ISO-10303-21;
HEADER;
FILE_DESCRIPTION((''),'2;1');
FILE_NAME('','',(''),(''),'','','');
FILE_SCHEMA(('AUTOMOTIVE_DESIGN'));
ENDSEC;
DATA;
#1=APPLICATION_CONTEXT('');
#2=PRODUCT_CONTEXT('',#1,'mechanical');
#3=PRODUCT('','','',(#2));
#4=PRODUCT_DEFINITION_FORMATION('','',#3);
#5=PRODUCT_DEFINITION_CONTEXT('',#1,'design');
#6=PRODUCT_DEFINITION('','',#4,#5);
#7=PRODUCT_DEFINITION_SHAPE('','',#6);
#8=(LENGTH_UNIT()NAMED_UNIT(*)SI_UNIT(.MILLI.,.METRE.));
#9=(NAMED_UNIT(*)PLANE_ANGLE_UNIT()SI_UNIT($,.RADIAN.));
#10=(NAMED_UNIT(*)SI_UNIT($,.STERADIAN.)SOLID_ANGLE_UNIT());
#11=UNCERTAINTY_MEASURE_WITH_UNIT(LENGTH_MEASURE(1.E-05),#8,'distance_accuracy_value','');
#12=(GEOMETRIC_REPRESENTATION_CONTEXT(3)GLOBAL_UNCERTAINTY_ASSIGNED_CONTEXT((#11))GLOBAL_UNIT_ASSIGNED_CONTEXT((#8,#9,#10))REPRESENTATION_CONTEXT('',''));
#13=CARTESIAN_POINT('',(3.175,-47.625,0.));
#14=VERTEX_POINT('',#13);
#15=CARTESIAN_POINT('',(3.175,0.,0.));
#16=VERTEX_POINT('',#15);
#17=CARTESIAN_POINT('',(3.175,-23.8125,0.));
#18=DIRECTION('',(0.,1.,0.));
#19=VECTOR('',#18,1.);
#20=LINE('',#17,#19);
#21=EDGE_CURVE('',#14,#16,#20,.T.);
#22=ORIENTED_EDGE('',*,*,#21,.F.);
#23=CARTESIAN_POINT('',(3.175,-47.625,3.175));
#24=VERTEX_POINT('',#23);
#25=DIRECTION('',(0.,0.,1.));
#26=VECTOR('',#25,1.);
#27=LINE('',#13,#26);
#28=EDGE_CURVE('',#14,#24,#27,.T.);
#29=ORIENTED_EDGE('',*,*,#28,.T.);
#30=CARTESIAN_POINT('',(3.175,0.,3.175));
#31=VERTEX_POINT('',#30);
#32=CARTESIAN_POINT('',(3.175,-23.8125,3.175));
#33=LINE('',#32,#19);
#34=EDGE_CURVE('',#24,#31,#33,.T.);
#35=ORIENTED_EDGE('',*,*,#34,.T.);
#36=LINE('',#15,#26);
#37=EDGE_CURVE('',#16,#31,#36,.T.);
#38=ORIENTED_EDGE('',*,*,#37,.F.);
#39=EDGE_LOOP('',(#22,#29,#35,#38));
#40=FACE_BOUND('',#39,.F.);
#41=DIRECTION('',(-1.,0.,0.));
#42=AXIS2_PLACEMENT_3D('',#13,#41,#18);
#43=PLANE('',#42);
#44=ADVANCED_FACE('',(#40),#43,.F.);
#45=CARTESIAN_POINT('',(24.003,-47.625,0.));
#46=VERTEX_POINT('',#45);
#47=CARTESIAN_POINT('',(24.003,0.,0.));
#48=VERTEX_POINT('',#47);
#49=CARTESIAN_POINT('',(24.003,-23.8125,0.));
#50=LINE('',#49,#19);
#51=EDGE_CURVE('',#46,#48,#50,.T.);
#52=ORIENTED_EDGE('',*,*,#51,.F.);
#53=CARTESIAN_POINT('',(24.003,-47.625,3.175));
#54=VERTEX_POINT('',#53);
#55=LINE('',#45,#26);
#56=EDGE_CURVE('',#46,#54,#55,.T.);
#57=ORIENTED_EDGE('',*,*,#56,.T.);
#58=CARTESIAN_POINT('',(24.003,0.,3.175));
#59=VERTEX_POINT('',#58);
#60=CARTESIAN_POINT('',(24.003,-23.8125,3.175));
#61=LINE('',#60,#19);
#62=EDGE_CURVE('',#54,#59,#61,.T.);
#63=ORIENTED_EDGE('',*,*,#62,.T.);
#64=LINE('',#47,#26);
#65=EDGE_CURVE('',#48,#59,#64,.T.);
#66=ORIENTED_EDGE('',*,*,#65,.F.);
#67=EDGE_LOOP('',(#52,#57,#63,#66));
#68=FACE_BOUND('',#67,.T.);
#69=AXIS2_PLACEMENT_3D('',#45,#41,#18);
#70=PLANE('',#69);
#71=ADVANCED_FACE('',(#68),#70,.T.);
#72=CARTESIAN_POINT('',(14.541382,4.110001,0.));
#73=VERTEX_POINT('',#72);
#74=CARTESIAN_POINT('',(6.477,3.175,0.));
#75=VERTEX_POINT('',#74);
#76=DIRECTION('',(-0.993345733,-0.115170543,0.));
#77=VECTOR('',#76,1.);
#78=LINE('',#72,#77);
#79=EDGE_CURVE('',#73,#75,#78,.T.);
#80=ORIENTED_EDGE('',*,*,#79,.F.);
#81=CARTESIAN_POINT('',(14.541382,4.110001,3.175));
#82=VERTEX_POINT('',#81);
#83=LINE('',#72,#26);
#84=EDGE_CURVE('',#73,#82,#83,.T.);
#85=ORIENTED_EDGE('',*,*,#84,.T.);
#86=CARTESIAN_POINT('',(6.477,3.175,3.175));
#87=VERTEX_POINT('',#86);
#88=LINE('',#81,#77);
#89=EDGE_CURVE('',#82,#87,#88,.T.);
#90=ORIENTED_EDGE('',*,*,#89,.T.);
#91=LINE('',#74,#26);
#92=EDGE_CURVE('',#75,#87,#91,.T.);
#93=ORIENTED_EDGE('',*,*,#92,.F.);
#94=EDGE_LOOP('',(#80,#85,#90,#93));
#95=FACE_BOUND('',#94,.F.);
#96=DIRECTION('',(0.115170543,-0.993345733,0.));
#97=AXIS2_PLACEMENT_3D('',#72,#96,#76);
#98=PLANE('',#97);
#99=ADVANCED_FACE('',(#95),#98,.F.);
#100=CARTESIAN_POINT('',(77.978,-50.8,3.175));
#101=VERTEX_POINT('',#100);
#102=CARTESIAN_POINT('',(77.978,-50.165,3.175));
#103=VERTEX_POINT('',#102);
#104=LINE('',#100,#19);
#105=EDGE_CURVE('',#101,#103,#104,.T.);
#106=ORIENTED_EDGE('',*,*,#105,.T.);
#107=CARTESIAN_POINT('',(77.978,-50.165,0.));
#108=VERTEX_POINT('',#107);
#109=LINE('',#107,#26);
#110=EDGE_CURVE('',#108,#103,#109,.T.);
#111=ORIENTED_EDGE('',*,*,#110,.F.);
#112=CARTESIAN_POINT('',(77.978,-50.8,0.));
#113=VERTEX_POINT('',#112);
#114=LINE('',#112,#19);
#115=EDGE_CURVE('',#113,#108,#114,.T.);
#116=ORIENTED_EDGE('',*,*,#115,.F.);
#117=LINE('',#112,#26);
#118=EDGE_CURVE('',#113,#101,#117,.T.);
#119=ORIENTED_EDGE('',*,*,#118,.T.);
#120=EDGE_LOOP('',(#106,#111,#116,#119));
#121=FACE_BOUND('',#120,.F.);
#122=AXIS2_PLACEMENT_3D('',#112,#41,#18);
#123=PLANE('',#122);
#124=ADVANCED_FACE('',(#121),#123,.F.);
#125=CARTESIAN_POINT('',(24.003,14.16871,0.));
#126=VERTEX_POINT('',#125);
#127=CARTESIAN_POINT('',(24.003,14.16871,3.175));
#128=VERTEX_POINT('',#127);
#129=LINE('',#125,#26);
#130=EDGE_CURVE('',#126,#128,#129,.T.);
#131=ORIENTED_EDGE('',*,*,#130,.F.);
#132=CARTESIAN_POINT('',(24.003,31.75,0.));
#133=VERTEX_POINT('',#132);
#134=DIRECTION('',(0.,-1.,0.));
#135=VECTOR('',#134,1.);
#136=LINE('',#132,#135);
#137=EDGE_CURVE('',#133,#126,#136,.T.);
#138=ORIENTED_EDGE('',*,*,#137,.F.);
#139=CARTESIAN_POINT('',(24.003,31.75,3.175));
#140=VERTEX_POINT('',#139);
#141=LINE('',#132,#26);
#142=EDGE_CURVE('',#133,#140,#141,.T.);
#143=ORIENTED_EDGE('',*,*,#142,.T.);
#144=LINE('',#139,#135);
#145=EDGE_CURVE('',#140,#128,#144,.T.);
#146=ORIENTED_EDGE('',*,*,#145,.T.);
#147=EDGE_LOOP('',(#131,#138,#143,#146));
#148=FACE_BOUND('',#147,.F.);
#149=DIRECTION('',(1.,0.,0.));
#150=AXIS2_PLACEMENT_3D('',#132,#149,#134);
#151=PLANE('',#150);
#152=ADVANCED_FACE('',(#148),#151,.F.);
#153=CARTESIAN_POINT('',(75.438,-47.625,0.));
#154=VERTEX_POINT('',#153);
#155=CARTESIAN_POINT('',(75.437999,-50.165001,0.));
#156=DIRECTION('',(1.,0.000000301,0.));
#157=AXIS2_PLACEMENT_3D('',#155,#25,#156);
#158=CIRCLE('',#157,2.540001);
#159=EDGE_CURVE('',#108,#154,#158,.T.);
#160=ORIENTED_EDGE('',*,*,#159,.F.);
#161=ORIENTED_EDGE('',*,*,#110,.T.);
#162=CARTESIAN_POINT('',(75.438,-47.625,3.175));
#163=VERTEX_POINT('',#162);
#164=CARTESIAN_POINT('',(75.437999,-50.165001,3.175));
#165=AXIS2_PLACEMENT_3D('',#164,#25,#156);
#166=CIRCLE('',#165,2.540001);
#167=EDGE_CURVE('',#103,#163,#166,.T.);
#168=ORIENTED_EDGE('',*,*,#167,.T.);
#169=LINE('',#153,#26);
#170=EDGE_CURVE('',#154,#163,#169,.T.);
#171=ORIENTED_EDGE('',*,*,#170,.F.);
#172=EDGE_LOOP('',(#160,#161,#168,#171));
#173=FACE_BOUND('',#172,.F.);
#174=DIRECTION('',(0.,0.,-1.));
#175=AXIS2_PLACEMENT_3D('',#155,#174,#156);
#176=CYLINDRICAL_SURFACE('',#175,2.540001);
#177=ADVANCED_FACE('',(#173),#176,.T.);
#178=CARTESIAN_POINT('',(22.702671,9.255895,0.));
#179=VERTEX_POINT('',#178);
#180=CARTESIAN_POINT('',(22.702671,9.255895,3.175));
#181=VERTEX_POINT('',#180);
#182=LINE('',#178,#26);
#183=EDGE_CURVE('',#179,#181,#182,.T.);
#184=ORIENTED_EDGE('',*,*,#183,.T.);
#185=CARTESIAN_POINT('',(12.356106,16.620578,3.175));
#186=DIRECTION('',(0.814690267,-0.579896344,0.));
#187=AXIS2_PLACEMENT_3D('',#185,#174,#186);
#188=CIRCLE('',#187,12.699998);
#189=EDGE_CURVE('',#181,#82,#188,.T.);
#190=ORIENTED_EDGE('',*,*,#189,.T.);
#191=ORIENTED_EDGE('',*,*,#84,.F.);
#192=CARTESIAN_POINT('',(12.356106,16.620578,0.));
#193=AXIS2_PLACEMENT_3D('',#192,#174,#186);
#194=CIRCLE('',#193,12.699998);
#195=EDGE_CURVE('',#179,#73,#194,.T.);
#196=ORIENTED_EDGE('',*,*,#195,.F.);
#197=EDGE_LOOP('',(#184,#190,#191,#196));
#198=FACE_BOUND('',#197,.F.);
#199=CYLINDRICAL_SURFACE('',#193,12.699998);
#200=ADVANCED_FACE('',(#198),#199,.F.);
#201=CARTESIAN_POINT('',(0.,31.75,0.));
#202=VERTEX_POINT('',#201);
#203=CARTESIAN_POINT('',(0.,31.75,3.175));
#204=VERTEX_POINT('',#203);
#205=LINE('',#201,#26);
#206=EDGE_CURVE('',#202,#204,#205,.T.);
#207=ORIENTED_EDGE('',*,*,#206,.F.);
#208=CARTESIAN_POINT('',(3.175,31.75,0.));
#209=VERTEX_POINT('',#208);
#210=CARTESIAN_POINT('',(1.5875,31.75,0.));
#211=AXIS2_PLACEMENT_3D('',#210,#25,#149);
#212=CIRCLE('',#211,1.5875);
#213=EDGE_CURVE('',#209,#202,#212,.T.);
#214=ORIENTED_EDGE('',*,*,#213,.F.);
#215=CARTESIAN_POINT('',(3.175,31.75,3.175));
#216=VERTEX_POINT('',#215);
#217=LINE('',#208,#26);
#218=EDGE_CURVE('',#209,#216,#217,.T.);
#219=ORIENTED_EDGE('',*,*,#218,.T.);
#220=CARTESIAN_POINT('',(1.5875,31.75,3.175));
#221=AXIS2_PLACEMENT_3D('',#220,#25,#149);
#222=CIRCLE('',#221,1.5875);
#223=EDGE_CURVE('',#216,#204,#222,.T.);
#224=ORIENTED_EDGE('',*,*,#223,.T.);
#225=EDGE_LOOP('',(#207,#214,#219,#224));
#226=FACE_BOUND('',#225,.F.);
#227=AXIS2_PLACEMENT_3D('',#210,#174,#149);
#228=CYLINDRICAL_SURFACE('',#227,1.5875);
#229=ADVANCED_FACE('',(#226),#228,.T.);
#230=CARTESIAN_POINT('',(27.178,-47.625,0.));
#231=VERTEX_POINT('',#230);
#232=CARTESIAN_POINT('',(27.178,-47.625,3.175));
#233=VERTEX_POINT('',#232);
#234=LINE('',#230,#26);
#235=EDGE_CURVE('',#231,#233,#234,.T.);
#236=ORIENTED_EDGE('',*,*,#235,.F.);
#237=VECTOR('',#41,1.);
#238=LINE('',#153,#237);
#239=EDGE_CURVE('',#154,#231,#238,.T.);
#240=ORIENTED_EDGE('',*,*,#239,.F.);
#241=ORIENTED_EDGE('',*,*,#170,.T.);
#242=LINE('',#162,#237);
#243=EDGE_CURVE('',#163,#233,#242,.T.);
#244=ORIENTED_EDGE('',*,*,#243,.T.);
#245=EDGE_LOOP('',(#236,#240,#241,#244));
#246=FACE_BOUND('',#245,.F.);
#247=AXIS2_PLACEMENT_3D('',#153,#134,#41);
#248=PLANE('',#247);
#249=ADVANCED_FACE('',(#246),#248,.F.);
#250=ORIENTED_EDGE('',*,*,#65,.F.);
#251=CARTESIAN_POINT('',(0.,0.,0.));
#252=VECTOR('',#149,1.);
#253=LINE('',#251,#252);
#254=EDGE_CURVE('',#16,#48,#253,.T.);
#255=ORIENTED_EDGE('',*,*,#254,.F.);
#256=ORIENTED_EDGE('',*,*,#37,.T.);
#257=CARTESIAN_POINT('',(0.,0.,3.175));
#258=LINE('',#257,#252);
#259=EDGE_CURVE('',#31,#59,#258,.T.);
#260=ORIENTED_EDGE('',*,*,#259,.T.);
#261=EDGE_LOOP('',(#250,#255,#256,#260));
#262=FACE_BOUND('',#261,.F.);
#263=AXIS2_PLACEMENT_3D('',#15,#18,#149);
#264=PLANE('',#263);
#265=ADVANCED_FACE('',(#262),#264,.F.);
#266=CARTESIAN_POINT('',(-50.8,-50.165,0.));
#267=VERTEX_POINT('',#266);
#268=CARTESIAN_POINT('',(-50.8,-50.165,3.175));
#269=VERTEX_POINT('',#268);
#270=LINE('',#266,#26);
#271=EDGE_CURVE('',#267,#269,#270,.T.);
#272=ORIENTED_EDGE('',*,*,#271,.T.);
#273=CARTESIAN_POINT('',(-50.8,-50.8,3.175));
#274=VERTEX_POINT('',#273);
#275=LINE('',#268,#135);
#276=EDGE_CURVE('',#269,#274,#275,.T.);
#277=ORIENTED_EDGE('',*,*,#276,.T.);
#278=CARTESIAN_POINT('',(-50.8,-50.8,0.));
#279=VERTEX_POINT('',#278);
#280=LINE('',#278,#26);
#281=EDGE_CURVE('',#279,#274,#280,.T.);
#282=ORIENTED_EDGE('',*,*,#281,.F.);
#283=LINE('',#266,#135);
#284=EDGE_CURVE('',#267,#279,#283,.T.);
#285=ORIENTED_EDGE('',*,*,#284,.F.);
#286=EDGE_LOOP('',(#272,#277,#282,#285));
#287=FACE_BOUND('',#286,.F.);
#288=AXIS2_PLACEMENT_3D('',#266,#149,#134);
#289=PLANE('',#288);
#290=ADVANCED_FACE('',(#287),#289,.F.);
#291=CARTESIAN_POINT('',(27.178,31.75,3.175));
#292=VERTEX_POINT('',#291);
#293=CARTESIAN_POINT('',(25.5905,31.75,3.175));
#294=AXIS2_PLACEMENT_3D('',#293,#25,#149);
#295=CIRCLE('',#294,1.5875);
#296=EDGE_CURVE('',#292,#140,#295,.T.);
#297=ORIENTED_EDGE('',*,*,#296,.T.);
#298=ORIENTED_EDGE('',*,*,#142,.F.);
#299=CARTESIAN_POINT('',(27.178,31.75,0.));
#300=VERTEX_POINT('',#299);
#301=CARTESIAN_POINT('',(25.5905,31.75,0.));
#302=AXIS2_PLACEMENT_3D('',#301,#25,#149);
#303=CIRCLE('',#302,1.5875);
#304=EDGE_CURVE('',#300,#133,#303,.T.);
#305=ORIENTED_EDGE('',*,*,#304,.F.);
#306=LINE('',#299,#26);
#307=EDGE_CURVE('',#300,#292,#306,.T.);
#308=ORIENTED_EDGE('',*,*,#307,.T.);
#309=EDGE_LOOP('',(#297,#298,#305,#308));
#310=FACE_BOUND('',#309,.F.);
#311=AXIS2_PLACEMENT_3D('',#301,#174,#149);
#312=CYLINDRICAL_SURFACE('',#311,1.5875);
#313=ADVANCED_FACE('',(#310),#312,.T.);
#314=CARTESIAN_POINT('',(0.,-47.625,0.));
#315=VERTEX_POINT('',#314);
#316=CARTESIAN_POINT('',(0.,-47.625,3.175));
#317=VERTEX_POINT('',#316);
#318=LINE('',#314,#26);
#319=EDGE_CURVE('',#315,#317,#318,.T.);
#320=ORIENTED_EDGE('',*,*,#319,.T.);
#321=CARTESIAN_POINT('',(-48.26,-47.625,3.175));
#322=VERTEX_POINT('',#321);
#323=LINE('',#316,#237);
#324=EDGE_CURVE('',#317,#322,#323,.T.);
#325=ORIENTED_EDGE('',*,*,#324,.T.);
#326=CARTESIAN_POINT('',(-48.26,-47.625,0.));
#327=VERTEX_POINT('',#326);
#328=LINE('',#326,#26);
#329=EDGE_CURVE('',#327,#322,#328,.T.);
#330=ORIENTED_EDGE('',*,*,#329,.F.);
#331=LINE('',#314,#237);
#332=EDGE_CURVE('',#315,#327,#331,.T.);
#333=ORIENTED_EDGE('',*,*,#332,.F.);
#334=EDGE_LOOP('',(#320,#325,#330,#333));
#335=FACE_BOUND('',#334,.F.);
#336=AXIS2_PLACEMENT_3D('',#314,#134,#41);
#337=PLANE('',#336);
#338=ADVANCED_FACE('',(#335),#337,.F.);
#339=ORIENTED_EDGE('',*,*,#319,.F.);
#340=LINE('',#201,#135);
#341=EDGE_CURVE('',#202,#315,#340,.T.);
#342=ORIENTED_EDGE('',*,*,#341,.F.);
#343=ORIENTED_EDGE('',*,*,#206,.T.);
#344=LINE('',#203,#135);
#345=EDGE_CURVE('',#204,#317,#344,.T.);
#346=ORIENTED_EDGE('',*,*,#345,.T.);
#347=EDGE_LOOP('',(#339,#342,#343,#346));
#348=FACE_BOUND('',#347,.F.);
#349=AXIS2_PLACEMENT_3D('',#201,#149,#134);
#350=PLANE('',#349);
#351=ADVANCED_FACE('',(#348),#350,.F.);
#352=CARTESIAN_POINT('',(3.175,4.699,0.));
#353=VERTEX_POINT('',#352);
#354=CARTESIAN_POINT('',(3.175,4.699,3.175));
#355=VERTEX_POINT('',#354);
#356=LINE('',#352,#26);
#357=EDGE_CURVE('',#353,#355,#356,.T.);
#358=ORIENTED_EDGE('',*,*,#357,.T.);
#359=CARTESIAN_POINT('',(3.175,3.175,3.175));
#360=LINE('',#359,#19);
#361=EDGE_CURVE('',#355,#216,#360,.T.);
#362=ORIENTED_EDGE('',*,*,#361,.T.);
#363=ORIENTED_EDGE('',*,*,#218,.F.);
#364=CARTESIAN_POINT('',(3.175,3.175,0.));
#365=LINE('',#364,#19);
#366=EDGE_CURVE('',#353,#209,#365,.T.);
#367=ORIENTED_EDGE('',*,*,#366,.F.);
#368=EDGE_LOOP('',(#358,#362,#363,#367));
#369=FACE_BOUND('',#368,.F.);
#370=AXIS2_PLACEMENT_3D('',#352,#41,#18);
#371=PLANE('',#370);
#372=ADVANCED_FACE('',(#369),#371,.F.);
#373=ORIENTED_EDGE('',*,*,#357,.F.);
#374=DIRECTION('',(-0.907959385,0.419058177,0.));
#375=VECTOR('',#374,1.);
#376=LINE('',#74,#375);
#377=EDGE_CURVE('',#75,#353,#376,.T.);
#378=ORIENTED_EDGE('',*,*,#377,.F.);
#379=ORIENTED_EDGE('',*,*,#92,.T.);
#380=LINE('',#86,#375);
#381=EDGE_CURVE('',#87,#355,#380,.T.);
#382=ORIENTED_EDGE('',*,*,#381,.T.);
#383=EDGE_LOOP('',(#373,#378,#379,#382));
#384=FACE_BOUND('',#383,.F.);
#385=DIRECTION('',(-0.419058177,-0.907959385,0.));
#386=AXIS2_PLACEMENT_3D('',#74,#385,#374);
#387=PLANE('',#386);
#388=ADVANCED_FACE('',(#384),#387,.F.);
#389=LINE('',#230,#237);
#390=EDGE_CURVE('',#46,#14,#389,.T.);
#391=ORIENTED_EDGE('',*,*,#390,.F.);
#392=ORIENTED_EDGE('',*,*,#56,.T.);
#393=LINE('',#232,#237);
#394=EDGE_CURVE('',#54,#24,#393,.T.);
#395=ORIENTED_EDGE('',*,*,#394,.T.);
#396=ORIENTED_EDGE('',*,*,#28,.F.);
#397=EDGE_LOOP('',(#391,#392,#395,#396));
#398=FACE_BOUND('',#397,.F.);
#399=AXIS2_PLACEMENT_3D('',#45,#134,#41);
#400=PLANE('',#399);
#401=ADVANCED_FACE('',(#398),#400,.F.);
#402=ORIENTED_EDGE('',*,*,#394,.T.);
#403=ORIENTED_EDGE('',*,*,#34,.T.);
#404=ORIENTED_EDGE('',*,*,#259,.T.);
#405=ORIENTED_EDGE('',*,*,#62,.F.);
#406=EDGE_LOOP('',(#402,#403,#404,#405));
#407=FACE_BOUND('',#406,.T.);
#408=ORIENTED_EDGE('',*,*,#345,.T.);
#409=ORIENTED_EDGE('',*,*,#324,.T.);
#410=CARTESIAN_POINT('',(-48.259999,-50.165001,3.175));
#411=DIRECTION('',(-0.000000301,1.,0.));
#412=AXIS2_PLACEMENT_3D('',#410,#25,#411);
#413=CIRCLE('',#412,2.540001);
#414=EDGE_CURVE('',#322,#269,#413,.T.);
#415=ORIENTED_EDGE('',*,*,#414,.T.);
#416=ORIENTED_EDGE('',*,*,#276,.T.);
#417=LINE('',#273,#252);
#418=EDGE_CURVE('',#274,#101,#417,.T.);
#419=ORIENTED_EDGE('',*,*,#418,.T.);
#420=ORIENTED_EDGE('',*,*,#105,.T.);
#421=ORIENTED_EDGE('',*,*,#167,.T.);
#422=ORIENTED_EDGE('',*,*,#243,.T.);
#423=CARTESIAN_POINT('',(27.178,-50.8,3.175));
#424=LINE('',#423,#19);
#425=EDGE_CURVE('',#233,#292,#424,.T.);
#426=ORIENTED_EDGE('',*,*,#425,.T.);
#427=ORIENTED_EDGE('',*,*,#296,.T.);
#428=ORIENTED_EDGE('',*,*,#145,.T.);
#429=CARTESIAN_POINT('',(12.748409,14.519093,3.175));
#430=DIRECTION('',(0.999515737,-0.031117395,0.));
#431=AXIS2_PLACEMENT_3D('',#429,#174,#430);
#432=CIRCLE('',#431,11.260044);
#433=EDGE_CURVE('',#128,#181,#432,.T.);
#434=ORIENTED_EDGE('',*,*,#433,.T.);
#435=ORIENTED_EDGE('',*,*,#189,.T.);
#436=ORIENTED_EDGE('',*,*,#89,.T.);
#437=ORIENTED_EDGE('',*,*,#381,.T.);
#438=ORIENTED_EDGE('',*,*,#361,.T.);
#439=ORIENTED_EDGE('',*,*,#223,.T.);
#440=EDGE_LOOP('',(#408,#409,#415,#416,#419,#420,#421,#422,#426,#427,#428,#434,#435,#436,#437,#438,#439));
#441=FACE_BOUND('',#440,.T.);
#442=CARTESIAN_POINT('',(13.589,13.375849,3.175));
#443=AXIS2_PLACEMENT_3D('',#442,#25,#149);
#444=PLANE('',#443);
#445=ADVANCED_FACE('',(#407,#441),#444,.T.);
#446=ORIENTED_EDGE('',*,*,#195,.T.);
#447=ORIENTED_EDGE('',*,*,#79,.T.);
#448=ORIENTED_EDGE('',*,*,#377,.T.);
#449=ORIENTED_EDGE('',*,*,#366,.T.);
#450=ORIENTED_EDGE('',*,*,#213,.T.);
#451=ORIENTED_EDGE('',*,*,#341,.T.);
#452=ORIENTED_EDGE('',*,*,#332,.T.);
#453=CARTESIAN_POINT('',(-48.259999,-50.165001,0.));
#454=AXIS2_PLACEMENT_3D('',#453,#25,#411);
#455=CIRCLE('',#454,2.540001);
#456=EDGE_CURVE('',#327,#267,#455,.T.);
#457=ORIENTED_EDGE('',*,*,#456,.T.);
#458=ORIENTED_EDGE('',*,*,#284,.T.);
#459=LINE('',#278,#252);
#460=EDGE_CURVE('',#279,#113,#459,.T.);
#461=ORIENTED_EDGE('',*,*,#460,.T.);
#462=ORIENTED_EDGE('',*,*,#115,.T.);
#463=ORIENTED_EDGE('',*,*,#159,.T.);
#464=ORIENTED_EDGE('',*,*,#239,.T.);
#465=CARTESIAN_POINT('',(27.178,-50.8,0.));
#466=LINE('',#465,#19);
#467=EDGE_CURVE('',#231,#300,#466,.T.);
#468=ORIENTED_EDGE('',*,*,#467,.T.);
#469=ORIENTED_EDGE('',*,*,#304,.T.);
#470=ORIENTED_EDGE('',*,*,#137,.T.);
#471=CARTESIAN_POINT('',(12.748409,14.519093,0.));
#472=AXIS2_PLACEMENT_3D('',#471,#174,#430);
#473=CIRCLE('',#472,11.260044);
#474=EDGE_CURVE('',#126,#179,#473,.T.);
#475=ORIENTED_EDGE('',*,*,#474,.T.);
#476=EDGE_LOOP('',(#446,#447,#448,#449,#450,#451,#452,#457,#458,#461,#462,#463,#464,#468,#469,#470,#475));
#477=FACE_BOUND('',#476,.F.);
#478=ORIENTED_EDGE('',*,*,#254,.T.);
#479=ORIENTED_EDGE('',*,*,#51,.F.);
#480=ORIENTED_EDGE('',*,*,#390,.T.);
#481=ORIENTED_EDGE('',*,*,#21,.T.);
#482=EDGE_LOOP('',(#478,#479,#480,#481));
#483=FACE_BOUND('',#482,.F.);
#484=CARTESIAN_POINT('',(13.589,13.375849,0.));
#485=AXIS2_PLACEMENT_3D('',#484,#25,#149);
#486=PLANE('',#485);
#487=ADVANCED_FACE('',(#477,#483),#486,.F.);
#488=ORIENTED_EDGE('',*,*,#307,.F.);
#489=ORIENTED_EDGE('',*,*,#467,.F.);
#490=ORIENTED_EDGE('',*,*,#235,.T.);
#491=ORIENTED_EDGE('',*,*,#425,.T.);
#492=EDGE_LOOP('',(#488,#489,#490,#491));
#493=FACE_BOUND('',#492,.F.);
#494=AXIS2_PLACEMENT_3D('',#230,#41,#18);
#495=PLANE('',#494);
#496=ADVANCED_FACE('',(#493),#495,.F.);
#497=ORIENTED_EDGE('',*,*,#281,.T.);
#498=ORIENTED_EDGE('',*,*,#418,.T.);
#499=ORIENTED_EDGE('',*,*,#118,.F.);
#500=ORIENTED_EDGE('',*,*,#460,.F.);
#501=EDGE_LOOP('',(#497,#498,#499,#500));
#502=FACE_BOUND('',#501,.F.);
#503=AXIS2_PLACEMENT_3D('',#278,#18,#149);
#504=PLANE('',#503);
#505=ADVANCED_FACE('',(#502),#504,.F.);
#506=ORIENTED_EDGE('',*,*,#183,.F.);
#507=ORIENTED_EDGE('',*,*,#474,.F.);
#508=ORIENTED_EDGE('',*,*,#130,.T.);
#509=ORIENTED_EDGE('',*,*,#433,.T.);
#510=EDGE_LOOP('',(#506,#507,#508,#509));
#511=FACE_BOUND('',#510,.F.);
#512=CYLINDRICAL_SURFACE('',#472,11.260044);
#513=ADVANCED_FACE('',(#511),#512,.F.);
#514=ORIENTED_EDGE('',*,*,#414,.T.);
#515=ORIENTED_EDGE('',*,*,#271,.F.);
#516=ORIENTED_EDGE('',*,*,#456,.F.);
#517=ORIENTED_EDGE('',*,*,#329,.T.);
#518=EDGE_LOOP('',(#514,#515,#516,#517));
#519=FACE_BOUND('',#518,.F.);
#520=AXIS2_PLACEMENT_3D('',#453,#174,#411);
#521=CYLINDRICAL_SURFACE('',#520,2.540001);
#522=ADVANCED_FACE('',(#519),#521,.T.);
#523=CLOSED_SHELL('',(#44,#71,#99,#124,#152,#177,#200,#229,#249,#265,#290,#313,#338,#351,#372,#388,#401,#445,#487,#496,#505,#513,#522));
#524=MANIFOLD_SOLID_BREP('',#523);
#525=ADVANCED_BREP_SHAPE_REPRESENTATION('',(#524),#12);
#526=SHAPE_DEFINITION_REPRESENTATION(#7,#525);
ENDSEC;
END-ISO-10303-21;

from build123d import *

# Parameters (mm, degrees)
F0_W     = 3.175
F0_H     = 47.625
F1_DEPTH = 3.175


with BuildPart() as f1:
    # F0 (on Top) → F1 (new body)
    with BuildSketch(Plane.XY):
        with BuildLine():
            Line((0, 31.75), (0, 0))
            Line((0, 0), (3.175, 0))
            Line((3.175, 0), (24.003, 0))
            Line((24.003, 0), (27.178, 0))
            Line((27.178, 0), (27.178, 31.75))
            ThreePointArc((27.178, 31.75), (25.5905, 33.3375), (24.003, 31.75))
            Line((24.003, 31.75), (24.003, 14.16871))
            Line((24.003, 14.16871), (24.003, 11.557))
            Line((24.003, 11.557), (24.003, 5.207))
            Line((24.003, 5.207), (24.003, 3.175))
            Line((24.003, 3.175), (6.477, 3.175))
            Line((6.477, 3.175), (3.175, 3.175))
            Line((3.175, 3.175), (3.175, 4.699))
            Line((3.175, 4.699), (3.175, 31.75))
            ThreePointArc((3.175, 31.75), (1.5875, 33.3375), (0, 31.75))
        make_face()
        with Locations((1.5875, -23.8125)):
            Rectangle(F0_W, F0_H)
        Polygon((3.175, -47.625), (0, -47.625), (0, -50.8), (27.178, -50.8), (27.178, -47.625), (24.003, -47.625), align=None)
        with BuildLine():
            Line((0, -50.8), (0, -47.625))
            Line((0, -47.625), (-48.26, -47.625))
            ThreePointArc((-48.26, -47.625), (-50.056051, -48.368949), (-50.8, -50.165))
            Line((-50.8, -50.165), (-50.8, -50.8))
            Line((-50.8, -50.8), (0, -50.8))
        make_face()
        with Locations((25.5905, -23.8125)):
            Rectangle(F0_W, F0_H)
        Polygon((6.477, 3.175), (3.175, 4.699), (3.175, 3.175), align=None)
        with BuildLine():
            Line((27.178, -47.625), (27.178, -50.8))
            Line((27.178, -50.8), (77.978, -50.8))
            Line((77.978, -50.8), (77.978, -50.165))
            ThreePointArc((77.978, -50.165), (77.234051, -48.368949), (75.438, -47.625))
            Line((75.438, -47.625), (27.178, -47.625))
        make_face()
        Polygon((14.541382, 4.110001), (6.477, 3.175), (24.003, 3.175), (24.003, 5.207), align=None)
        with BuildLine():
            ThreePointArc((22.702671, 9.255895), (19.129717, 5.877759), (14.541382, 4.110001))
            Line((14.541382, 4.110001), (24.003, 5.207))
            Line((24.003, 5.207), (24.003, 11.557))
            ThreePointArc((24.003, 11.557), (23.412861, 10.372528), (22.702671, 9.255895))
        make_face()
        with BuildLine():
            ThreePointArc((24.003, 14.16871), (23.633619, 11.637984), (22.702671, 9.255895))
            ThreePointArc((22.702671, 9.255895), (23.412861, 10.372528), (24.003, 11.557))
            Line((24.003, 11.557), (24.003, 14.16871))
        make_face()
    extrude(amount=F1_DEPTH)


solid = f1.part
